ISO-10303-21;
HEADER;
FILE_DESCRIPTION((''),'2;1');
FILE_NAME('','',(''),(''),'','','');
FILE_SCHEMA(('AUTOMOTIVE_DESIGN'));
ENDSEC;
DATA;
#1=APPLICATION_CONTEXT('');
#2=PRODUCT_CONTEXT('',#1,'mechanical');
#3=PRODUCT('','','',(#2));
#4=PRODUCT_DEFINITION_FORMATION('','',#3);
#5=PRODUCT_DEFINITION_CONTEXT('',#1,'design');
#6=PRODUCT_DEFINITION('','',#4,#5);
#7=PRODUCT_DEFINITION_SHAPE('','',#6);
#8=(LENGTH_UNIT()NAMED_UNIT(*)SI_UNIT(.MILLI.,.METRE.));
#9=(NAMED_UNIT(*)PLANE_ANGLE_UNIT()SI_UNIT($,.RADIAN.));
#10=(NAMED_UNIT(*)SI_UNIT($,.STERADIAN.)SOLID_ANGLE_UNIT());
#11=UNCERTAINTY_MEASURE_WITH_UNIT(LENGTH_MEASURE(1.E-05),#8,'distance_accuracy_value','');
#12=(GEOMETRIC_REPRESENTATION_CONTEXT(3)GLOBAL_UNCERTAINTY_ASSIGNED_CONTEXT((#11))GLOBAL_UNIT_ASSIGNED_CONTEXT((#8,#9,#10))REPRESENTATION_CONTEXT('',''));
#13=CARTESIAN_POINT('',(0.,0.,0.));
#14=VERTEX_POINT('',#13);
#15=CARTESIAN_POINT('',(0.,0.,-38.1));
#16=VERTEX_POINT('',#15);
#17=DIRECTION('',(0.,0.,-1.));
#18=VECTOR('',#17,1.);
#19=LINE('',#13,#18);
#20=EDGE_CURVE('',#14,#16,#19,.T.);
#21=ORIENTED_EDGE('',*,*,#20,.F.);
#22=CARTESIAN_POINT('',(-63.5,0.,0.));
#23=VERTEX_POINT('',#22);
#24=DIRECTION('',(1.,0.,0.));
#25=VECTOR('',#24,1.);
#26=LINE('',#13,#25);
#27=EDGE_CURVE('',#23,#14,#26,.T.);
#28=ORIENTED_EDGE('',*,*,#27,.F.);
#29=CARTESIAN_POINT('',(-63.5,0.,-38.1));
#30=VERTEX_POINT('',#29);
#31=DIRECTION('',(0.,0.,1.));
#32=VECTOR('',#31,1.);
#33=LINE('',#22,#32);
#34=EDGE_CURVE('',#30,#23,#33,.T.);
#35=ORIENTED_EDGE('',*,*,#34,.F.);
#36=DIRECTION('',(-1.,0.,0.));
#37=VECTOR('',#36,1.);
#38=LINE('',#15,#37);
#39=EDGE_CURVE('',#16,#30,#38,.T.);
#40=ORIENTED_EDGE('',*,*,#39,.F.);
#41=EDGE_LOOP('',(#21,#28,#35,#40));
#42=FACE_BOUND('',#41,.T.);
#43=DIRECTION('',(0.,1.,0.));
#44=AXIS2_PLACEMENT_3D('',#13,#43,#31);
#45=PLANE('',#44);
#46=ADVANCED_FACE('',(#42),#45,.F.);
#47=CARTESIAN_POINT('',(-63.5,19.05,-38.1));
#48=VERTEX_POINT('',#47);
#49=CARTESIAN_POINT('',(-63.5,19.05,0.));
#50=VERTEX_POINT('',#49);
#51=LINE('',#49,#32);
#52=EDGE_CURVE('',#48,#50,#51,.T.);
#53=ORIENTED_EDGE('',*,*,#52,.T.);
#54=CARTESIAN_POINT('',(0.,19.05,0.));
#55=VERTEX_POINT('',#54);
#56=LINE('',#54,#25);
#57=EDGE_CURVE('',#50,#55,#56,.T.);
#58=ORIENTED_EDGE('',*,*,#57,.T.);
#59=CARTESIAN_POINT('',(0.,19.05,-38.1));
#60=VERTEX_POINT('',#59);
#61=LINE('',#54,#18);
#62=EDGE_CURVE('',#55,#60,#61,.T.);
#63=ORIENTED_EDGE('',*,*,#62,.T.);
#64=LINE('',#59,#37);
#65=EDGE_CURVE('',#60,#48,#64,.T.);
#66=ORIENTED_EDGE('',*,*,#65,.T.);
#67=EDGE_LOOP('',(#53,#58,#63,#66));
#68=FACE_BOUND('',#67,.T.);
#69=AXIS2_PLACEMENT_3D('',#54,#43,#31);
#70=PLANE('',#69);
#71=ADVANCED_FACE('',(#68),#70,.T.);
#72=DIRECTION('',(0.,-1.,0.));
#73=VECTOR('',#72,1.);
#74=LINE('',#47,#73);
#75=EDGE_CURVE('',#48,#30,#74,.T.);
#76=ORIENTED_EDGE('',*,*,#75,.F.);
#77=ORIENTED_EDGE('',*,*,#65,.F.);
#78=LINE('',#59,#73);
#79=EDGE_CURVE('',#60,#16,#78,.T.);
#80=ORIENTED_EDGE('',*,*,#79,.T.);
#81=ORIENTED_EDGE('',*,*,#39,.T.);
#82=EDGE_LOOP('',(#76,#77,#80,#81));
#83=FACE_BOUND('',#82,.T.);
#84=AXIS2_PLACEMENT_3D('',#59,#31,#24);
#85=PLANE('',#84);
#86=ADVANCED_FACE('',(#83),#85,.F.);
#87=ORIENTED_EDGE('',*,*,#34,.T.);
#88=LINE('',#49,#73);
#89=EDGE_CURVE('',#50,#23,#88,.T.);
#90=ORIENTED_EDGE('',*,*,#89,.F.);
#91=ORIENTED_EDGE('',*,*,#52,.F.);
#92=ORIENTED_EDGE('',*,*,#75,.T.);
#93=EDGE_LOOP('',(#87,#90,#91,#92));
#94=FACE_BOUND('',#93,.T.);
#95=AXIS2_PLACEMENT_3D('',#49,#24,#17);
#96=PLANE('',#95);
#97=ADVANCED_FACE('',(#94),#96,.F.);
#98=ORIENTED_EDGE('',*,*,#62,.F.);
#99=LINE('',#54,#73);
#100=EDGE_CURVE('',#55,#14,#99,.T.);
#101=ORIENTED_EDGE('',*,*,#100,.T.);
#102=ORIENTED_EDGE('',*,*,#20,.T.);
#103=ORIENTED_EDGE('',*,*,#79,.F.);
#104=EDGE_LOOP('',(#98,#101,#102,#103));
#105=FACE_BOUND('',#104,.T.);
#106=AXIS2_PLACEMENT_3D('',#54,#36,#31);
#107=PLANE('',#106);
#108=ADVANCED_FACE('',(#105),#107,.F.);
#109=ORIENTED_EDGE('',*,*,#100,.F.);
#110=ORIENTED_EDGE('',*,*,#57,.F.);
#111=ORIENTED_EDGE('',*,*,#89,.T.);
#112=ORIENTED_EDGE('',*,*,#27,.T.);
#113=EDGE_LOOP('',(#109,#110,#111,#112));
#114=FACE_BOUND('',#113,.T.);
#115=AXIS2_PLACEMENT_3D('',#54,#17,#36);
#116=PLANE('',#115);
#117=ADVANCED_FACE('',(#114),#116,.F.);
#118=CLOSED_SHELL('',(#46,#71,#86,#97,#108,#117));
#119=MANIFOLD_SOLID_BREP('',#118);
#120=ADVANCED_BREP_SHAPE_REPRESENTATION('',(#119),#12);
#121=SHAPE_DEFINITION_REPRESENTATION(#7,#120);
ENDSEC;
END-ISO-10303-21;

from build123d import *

# Parameters (mm, degrees)
SKETCH1_W           = 63.5
SKETCH1_H           = 38.1
BOSS_EXTRUDE1_DEPTH = 19.05


with BuildPart() as part:
    # Sketch1 → Boss-Extrude1 (new body)
    with BuildSketch(Plane(origin=(0, 0, 0), x_dir=(1, 0, 0), z_dir=(0, 1, 0))):
        with Locations((-31.75, 19.05)):
            Rectangle(SKETCH1_W, SKETCH1_H)
    extrude(amount=BOSS_EXTRUDE1_DEPTH)


solid = part.part
